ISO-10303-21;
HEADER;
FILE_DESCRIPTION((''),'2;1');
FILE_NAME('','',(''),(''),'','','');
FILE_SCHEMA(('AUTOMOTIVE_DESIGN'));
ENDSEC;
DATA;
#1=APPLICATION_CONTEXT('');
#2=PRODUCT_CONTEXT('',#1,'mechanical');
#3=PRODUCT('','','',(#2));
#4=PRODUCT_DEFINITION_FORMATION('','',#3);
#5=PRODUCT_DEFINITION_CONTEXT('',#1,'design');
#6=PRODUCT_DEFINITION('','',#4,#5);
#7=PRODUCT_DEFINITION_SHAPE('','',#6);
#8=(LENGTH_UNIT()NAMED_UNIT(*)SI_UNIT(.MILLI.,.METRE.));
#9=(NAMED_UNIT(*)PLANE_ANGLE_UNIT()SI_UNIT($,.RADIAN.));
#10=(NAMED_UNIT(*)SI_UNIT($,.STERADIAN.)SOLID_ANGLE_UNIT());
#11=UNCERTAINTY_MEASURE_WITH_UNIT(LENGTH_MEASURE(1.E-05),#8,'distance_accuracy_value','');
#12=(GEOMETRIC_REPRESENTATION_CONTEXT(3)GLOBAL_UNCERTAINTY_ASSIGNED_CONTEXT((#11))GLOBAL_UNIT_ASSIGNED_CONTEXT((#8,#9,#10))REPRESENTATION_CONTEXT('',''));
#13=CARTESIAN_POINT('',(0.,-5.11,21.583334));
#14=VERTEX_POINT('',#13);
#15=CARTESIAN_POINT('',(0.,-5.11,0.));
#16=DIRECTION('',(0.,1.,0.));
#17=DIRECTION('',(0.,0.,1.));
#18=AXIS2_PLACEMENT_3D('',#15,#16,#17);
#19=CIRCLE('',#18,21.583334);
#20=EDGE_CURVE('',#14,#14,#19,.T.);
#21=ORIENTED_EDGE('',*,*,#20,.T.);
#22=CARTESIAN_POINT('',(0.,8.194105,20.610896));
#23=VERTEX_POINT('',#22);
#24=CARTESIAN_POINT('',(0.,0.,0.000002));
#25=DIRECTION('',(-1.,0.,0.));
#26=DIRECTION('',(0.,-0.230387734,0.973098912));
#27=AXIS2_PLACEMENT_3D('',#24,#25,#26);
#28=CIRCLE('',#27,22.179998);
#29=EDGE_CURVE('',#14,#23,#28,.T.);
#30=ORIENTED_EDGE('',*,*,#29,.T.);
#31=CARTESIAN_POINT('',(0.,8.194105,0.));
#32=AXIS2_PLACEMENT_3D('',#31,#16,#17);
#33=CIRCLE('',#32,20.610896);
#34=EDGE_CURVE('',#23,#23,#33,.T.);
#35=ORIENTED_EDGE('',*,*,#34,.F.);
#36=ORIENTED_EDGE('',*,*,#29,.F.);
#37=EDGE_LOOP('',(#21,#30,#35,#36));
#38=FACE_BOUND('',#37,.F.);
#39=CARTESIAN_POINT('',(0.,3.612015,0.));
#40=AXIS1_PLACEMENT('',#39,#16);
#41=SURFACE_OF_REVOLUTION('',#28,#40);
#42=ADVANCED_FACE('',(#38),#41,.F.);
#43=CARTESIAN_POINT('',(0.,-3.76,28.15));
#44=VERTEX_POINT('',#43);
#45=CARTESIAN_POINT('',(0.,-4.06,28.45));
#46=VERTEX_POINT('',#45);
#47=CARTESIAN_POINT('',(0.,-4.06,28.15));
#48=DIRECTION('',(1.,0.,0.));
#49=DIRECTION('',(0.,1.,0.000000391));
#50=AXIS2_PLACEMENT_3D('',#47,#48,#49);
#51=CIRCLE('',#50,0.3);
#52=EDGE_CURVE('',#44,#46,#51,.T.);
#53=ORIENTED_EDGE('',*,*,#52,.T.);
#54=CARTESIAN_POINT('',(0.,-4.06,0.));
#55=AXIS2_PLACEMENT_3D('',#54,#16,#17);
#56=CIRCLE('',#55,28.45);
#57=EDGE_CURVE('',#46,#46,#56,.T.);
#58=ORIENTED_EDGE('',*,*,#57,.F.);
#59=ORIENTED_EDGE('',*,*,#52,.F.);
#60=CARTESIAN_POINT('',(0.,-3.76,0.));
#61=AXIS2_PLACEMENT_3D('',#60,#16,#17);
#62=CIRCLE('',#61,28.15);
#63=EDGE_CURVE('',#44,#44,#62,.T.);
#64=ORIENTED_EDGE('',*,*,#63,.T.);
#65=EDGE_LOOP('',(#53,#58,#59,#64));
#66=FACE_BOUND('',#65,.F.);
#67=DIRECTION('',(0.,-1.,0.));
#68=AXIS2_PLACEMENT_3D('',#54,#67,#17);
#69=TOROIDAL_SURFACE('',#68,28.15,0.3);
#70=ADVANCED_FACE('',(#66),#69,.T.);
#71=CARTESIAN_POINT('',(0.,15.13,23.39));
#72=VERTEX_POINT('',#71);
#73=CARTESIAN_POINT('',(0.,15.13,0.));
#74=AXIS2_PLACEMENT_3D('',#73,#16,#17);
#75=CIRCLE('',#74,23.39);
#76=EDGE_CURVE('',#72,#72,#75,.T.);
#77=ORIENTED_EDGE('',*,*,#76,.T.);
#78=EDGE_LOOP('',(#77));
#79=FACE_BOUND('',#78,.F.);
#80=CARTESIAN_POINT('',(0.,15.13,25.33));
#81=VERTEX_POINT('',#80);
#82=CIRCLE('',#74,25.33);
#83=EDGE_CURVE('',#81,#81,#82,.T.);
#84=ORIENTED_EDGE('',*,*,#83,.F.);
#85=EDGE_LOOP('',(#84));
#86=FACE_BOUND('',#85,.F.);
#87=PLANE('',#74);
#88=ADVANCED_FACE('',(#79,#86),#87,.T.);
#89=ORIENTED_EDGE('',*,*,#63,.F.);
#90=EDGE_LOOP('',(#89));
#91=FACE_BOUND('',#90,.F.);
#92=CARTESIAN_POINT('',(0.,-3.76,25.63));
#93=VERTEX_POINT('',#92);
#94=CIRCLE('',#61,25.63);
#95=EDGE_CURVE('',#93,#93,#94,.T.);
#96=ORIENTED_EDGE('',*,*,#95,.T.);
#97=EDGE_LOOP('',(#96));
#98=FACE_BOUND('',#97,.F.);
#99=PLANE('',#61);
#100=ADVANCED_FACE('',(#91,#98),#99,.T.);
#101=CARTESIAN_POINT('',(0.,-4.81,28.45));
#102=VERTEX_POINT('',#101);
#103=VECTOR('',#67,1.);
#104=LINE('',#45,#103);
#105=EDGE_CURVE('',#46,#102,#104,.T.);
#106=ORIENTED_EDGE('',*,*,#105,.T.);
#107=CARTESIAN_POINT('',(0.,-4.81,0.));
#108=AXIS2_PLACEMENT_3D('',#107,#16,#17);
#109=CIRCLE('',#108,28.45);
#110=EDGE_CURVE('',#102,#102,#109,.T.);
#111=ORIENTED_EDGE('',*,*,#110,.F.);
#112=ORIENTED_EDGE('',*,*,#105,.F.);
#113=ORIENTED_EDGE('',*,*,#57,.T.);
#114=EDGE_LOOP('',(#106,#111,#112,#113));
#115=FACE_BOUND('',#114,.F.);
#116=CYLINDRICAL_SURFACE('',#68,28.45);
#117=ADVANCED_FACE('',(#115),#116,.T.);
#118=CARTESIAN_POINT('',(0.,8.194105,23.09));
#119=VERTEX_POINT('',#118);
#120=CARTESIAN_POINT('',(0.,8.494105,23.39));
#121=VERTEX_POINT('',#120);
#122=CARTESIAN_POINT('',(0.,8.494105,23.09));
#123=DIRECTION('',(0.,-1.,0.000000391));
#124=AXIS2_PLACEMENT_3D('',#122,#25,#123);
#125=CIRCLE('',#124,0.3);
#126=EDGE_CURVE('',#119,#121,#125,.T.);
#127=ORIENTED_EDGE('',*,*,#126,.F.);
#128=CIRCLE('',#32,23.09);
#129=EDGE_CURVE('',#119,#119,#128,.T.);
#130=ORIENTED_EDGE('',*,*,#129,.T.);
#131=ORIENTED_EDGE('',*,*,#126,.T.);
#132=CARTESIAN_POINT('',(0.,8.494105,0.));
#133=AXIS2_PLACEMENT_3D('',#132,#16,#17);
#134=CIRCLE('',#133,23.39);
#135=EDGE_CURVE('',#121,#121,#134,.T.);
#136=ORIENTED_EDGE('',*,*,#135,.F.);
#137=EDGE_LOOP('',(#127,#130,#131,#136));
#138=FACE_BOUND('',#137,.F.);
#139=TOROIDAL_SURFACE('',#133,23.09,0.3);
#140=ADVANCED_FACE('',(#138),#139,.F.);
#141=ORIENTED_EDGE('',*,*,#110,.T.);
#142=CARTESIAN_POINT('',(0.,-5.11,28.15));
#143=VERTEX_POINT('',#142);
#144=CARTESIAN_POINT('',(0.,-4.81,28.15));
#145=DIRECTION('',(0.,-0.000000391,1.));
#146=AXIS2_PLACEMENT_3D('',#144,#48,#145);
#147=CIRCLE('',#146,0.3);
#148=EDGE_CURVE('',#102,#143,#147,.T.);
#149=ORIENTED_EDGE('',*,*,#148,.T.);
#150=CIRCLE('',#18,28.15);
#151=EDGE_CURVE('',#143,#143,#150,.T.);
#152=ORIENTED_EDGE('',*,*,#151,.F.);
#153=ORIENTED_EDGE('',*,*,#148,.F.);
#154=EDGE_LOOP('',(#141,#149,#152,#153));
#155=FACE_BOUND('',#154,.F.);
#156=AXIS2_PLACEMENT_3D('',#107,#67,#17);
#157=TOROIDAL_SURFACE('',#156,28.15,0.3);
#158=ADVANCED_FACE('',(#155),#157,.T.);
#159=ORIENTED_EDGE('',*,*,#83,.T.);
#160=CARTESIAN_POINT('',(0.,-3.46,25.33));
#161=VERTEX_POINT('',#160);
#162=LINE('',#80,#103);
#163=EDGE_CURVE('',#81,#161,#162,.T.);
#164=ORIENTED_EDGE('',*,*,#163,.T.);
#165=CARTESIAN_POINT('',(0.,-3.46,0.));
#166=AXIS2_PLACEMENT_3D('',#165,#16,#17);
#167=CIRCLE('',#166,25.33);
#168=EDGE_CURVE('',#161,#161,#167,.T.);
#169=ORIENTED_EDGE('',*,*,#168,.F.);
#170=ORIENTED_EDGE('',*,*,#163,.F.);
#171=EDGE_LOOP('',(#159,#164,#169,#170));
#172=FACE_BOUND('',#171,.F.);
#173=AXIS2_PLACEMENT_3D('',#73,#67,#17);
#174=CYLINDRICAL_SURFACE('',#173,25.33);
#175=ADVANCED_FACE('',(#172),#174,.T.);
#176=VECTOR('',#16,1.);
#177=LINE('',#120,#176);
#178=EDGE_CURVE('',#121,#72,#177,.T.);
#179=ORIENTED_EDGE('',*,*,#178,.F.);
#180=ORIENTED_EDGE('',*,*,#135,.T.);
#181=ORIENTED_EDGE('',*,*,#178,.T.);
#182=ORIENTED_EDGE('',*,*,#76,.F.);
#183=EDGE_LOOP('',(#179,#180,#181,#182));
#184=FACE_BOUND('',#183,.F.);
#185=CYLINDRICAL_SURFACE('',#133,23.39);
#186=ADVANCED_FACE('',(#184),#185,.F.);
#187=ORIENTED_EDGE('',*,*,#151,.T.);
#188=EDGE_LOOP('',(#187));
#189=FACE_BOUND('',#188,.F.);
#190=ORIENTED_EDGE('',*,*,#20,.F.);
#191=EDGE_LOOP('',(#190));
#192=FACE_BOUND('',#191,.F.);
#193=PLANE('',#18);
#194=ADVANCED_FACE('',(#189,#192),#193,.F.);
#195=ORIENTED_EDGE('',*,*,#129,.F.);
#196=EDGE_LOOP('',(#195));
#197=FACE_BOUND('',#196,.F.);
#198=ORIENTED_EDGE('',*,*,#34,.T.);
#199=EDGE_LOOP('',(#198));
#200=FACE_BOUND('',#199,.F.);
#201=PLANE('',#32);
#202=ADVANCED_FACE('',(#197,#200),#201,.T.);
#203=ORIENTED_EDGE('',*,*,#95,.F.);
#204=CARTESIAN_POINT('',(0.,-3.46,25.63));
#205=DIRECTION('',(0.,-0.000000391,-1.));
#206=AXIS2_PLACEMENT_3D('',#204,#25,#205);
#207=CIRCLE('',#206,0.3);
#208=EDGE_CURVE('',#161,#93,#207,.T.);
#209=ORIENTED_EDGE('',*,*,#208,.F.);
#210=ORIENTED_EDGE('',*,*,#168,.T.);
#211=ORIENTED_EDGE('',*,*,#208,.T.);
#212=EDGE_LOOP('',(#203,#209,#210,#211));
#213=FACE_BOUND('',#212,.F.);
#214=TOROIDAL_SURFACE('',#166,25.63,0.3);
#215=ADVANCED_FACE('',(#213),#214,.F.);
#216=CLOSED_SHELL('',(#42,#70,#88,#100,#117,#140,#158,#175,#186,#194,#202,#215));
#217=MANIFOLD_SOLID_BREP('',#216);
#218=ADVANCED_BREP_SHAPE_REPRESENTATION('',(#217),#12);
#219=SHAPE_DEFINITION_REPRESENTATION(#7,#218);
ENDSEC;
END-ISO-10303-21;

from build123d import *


with BuildPart() as f1:
    # F0 (on Right) → F1 (revolve)
    with BuildSketch(Plane.YZ):
        with BuildLine():
            Line((-5.11, 28.15), (-5.11, 21.583334))
            ThreePointArc((-5.11, 21.583334), (1.616891, 22.120987), (8.194105, 20.610896))
            Line((8.194105, 20.610896), (8.194105, 23.09))
            ThreePointArc((8.194105, 23.09), (8.281973, 23.302132), (8.494105, 23.39))
            Line((8.494105, 23.39), (15.13, 23.39))
            Line((15.13, 23.39), (15.13, 25.33))
            Line((15.13, 25.33), (-3.46, 25.33))
            ThreePointArc((-3.46, 25.33), (-3.672132, 25.417868), (-3.76, 25.63))
            Line((-3.76, 25.63), (-3.76, 28.15))
            ThreePointArc((-3.76, 28.15), (-3.847868, 28.362132), (-4.06, 28.45))
            Line((-4.06, 28.45), (-4.81, 28.45))
            ThreePointArc((-4.81, 28.45), (-5.022132, 28.362132), (-5.11, 28.15))
        make_face()
    revolve(axis=Axis((0, 3.612015, 0), (0, 1, 0)))


solid = f1.part
